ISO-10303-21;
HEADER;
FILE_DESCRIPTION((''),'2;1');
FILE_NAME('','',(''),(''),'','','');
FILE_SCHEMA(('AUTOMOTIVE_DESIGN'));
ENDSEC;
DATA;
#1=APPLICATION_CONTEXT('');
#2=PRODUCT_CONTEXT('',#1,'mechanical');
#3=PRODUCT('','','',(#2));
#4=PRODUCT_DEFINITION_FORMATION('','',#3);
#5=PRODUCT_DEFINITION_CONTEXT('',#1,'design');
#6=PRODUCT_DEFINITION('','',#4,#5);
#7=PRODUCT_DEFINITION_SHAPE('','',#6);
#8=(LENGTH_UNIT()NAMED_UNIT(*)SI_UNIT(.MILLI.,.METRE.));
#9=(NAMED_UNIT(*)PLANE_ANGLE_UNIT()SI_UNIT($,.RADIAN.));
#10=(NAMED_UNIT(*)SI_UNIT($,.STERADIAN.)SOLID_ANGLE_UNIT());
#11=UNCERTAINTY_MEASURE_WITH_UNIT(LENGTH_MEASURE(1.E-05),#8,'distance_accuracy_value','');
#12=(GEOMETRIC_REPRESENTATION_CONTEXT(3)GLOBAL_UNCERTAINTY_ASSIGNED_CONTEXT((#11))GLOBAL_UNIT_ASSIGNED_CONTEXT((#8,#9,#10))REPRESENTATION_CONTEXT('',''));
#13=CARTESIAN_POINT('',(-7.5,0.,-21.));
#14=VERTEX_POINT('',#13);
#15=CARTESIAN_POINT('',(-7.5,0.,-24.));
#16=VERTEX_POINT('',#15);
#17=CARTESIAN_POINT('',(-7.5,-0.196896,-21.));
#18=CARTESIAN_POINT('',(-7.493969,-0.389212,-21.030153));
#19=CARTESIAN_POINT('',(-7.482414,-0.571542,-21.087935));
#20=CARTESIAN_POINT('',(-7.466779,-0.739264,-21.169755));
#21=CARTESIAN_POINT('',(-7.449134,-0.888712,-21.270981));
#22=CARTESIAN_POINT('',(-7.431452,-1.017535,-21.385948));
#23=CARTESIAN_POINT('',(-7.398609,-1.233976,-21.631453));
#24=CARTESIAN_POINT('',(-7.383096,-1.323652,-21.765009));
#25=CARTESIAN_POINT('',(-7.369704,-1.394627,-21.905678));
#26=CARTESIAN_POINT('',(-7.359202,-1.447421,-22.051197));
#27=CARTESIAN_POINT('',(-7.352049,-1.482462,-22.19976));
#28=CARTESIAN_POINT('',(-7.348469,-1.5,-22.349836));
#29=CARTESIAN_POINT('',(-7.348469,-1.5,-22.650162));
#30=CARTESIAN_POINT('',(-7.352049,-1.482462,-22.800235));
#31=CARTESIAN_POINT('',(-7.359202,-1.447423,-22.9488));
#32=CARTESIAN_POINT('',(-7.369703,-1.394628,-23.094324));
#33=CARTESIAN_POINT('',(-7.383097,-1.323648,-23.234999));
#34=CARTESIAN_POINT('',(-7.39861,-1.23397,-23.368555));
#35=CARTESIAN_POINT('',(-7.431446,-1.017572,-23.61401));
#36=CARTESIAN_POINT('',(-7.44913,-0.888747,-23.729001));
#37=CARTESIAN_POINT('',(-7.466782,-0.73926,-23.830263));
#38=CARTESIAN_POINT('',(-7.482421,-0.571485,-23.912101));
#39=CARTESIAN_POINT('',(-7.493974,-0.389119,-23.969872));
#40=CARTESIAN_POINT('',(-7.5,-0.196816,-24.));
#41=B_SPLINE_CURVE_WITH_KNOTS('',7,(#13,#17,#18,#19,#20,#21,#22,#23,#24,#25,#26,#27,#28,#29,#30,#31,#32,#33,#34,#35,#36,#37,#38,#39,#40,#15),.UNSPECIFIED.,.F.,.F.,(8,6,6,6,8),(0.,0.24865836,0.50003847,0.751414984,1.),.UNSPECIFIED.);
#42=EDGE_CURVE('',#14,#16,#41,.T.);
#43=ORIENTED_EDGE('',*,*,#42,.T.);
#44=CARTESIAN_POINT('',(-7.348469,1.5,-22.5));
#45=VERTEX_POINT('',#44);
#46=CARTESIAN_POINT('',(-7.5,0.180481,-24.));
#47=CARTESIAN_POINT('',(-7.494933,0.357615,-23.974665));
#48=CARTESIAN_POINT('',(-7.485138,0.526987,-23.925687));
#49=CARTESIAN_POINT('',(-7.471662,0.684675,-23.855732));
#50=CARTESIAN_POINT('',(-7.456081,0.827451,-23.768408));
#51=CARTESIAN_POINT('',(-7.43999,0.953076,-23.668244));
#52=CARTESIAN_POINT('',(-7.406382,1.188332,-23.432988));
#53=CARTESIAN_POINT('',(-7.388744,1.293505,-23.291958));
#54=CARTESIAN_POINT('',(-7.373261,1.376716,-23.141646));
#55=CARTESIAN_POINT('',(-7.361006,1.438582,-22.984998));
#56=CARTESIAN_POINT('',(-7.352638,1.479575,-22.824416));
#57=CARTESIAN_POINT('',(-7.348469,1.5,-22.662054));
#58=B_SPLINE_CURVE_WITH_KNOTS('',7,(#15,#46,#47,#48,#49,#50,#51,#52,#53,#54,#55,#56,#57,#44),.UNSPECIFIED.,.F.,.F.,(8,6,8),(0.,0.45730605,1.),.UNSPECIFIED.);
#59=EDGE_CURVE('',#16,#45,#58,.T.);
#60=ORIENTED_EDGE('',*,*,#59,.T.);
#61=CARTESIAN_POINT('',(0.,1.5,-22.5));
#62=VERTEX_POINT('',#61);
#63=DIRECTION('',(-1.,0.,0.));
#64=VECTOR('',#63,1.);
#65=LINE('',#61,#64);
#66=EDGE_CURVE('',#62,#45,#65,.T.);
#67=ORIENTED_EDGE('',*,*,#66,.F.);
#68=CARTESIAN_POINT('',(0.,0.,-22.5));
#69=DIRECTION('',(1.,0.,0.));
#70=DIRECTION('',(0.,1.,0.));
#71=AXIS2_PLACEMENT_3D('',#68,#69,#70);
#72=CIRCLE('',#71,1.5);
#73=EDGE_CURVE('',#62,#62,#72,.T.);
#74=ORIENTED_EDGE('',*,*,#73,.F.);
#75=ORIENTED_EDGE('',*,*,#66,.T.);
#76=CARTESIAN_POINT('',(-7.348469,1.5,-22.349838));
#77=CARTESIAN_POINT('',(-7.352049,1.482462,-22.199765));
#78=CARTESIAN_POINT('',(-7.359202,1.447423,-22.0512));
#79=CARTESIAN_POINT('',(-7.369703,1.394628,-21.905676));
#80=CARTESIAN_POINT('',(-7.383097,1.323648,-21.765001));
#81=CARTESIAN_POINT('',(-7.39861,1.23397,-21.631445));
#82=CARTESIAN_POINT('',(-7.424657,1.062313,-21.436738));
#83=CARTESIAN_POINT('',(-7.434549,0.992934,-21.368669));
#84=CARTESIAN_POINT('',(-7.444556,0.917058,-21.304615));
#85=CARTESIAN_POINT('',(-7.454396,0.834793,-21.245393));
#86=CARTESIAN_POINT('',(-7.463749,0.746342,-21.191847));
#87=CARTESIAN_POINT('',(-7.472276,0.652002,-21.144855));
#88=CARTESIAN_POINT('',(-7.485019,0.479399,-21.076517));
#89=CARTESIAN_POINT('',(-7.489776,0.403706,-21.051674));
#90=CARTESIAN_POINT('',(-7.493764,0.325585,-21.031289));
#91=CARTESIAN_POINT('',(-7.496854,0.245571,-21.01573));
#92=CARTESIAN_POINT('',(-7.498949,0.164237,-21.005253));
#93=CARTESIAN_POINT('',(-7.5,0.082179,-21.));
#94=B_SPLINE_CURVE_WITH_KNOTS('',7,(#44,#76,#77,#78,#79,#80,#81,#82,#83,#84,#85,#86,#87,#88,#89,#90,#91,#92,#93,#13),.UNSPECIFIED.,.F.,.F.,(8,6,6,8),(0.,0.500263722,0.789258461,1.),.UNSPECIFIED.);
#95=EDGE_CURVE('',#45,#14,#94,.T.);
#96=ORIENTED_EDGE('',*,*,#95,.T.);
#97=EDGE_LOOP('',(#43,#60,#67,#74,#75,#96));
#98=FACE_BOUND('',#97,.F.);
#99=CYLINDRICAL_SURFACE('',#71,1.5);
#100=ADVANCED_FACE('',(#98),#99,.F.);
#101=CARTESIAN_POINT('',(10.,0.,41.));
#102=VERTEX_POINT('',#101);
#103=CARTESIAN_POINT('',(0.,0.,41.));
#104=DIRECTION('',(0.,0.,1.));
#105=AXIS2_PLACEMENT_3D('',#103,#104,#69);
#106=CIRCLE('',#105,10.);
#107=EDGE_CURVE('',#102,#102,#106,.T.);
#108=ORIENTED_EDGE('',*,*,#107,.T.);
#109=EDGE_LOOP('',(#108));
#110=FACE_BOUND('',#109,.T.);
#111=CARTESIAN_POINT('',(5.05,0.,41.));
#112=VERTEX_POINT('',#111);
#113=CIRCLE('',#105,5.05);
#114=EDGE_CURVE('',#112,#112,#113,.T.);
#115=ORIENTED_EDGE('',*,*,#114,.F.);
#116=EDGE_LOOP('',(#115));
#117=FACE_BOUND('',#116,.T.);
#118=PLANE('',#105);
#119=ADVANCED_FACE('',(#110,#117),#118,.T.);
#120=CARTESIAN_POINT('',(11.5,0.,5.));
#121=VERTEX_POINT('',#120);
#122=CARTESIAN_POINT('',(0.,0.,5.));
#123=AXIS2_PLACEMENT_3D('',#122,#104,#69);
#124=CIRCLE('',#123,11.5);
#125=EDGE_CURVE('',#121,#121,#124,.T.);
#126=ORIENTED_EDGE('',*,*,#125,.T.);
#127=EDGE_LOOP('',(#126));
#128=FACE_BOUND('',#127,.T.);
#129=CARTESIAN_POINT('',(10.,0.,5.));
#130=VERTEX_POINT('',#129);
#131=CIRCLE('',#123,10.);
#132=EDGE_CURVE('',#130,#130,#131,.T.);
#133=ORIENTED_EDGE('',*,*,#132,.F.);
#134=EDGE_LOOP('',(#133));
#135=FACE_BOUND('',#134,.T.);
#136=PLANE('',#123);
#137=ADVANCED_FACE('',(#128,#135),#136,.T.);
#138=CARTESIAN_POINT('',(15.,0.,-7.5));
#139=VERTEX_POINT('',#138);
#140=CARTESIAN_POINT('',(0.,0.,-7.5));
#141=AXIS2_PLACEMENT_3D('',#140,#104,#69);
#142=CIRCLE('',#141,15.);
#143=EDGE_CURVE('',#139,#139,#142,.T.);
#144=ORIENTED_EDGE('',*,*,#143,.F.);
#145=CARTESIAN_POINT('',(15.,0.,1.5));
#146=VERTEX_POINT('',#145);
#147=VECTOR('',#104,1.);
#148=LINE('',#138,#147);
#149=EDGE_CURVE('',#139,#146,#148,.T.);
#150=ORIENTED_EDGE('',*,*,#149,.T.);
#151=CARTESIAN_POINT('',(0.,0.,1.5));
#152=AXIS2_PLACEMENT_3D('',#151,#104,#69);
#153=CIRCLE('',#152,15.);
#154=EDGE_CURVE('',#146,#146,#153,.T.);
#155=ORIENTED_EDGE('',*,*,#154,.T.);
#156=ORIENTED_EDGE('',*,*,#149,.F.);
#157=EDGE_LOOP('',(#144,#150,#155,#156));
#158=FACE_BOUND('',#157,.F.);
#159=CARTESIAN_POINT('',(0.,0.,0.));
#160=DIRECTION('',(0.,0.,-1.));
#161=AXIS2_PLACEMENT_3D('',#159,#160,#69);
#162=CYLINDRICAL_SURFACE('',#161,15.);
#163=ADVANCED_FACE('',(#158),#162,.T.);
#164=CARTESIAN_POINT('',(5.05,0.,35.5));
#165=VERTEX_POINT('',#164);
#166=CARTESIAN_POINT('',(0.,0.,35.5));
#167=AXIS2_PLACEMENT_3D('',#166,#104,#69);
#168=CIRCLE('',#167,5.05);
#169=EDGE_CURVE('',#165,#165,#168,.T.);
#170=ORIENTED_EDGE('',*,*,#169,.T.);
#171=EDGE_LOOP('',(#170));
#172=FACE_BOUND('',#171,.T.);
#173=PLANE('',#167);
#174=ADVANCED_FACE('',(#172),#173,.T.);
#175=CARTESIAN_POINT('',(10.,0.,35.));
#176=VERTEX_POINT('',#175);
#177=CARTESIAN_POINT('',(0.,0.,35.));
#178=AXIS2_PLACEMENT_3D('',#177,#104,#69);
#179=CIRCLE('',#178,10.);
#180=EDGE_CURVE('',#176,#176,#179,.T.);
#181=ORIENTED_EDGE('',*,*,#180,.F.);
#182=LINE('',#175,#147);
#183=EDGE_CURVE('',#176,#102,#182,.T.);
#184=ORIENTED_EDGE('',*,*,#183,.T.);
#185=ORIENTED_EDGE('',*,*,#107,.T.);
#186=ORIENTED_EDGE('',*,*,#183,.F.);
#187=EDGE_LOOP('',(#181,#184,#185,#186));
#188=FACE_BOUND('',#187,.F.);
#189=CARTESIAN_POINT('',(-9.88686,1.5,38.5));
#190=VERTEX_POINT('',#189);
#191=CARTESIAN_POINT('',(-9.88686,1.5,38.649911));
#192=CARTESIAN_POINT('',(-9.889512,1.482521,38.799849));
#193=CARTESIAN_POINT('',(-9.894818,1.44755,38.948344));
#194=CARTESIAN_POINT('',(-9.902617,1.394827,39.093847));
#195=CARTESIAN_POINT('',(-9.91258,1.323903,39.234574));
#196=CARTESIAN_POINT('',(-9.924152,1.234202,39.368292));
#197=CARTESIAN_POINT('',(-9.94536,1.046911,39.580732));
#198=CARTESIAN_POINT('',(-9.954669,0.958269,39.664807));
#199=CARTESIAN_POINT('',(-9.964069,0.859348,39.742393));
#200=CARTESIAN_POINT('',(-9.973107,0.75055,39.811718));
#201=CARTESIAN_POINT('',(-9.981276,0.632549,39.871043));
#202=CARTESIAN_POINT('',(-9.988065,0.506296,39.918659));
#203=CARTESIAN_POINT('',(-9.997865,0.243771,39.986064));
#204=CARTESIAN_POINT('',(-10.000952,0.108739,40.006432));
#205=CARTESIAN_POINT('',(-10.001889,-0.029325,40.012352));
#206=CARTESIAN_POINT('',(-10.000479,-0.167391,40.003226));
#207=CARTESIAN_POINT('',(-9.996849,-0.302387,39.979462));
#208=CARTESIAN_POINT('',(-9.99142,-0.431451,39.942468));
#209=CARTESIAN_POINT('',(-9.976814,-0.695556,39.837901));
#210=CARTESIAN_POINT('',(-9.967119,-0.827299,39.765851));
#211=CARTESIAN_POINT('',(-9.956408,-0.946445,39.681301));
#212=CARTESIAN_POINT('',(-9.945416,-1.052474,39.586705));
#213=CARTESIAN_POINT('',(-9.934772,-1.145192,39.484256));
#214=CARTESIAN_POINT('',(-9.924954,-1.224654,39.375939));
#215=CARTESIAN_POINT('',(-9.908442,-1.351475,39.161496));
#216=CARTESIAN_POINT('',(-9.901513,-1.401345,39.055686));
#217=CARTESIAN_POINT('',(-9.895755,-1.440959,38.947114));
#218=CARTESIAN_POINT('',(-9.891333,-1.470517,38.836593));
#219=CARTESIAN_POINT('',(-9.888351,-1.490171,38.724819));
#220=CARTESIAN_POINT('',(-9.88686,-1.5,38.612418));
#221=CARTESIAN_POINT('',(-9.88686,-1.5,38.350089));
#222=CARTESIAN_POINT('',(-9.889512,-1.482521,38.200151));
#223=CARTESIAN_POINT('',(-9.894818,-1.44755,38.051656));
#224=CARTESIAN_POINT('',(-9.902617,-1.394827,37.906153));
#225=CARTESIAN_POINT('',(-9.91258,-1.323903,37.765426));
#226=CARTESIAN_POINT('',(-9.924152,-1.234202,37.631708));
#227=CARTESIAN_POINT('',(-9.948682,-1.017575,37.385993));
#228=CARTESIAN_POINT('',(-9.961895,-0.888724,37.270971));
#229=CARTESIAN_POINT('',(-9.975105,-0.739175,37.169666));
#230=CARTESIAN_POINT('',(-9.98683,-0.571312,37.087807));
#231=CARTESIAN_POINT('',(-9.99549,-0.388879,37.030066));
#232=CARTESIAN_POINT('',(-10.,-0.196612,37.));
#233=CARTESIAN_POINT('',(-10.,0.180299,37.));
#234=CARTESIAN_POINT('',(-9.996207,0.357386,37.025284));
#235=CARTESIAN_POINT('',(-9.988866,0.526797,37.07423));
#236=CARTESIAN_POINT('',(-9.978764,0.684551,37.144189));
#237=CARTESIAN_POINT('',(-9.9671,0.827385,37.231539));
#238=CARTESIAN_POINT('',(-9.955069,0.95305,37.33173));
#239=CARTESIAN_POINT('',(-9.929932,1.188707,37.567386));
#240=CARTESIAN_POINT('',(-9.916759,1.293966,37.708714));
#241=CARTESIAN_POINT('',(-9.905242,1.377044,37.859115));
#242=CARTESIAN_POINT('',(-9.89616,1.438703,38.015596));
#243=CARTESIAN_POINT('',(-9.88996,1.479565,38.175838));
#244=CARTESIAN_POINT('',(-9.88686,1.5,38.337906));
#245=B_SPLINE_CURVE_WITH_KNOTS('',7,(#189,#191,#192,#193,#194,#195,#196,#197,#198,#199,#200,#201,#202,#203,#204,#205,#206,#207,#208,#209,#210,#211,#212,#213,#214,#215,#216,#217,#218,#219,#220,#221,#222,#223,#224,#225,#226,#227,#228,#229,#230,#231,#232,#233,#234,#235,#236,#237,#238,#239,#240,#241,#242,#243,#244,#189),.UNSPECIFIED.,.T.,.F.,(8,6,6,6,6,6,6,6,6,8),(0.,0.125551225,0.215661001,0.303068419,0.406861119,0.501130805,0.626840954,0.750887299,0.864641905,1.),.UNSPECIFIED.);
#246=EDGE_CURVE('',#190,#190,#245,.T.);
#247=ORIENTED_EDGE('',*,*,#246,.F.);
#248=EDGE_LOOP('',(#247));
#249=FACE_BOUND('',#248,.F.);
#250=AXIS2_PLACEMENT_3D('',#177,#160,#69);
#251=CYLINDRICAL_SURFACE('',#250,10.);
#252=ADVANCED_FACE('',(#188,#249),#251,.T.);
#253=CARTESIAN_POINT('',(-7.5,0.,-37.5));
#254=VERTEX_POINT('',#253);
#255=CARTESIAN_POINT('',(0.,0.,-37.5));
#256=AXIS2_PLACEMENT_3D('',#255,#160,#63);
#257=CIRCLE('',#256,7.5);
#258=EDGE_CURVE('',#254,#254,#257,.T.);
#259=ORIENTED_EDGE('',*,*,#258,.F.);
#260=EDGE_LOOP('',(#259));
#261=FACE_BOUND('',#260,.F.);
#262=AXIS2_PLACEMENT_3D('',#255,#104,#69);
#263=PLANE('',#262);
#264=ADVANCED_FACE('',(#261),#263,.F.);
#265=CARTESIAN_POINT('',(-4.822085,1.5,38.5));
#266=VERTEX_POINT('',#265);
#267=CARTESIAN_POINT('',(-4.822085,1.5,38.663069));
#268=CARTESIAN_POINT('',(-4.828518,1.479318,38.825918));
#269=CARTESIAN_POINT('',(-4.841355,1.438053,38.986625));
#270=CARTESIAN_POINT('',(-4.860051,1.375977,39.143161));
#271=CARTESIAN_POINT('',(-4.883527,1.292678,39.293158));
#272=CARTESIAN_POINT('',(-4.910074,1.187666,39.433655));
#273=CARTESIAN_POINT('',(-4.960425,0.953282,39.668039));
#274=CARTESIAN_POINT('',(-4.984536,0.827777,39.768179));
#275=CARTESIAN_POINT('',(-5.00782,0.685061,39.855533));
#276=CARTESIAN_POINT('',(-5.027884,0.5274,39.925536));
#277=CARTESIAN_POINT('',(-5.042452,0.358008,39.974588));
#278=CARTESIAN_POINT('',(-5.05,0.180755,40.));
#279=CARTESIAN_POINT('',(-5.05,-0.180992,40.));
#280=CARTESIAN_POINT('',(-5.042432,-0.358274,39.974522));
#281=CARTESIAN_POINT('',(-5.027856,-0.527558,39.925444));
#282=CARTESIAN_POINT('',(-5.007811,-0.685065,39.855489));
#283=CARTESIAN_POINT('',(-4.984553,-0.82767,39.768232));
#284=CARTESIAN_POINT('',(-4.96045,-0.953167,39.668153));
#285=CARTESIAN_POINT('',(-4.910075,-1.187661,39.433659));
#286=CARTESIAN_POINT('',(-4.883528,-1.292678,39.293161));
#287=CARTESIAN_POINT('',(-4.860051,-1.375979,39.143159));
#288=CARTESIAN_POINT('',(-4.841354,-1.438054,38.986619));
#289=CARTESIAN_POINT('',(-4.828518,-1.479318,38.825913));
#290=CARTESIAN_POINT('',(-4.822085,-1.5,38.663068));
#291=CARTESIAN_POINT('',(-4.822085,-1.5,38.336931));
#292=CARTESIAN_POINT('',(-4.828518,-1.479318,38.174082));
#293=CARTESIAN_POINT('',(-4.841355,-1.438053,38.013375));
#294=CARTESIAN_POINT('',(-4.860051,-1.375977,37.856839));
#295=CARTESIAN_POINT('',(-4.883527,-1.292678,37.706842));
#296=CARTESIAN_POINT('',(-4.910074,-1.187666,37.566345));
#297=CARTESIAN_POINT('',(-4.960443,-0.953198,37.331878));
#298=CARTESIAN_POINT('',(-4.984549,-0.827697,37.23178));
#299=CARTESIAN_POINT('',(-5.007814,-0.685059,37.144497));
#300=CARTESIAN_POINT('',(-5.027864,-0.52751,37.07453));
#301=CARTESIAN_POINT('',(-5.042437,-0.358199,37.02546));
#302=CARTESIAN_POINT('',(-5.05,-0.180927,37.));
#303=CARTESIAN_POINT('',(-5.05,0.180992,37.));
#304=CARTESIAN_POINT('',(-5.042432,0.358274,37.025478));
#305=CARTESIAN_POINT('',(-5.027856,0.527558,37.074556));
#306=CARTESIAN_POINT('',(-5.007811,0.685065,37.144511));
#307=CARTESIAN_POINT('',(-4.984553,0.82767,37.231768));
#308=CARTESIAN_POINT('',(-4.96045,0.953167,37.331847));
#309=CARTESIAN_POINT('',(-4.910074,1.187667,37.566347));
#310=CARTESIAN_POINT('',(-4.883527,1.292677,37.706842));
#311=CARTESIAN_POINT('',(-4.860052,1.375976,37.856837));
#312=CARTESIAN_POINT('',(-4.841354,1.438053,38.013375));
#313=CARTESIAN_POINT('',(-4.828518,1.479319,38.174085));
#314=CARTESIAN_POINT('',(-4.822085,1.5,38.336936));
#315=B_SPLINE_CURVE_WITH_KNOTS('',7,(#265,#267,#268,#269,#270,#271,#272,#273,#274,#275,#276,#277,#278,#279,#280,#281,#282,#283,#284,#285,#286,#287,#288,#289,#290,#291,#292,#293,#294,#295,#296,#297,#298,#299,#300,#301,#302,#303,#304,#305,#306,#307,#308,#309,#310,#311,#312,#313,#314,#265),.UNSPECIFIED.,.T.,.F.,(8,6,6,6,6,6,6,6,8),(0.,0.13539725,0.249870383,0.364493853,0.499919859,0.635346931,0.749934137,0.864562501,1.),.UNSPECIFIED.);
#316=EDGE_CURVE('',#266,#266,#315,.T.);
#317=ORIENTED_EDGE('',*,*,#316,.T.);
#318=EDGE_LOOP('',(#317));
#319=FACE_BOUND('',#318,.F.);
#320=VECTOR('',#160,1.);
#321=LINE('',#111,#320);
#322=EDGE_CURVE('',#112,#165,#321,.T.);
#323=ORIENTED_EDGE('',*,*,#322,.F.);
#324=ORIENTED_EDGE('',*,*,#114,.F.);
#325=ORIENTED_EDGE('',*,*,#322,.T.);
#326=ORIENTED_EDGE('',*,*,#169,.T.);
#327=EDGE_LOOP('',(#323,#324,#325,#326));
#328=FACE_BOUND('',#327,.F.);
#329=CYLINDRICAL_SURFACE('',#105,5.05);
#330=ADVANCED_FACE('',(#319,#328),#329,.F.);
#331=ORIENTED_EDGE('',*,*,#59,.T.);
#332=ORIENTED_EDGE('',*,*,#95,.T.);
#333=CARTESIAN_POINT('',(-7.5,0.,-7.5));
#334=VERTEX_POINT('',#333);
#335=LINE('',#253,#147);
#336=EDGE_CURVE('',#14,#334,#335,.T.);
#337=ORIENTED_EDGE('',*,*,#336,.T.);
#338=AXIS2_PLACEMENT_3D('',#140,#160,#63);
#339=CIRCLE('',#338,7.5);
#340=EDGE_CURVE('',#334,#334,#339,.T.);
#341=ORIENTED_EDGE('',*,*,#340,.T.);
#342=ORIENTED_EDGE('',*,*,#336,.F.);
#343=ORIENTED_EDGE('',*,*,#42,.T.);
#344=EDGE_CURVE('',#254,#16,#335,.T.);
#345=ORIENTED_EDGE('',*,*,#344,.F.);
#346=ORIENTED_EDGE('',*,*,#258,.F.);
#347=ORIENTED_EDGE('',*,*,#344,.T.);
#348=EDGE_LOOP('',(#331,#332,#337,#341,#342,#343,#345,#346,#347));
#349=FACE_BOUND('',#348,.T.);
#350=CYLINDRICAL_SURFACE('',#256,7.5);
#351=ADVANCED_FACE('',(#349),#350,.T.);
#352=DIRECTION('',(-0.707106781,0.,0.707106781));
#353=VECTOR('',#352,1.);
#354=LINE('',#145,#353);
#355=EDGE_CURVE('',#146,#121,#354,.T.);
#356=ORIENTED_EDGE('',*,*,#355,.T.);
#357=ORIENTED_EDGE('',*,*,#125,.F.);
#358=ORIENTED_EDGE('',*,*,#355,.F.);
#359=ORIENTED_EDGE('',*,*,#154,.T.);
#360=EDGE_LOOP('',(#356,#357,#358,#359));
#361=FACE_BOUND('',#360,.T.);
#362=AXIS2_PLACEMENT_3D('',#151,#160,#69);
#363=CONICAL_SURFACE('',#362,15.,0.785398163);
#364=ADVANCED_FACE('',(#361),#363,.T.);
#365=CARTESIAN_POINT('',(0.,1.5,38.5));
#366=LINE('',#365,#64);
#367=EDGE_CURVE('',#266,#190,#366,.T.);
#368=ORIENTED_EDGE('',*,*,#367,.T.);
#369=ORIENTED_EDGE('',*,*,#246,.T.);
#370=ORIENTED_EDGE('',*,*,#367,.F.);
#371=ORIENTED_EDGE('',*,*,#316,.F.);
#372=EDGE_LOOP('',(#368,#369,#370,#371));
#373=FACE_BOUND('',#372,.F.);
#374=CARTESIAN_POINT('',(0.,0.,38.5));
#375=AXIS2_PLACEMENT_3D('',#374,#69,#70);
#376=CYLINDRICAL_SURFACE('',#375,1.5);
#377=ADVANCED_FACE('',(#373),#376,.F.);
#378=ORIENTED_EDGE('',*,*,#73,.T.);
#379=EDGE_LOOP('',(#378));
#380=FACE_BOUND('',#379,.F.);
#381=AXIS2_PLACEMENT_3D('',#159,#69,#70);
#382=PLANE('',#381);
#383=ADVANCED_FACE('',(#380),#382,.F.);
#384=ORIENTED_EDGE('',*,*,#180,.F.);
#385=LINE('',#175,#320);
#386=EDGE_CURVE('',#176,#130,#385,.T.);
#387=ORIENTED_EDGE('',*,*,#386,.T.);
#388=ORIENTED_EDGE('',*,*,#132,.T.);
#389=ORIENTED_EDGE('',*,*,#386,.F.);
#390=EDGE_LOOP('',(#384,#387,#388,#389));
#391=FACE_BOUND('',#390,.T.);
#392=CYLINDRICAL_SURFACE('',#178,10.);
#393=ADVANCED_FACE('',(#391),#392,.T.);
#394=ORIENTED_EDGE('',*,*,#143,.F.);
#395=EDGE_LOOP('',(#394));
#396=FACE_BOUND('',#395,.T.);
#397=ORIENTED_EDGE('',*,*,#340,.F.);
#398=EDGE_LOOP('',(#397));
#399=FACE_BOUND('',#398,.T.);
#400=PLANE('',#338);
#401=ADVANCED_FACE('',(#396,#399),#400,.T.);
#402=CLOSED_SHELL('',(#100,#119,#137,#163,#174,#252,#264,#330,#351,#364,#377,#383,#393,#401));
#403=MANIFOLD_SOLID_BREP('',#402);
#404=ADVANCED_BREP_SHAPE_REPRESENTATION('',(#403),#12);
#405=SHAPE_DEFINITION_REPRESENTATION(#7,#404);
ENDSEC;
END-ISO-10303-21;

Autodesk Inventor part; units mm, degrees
ref_plane "YZ Plane" through (0, 0, 0) normal (1, 0, 0) x (0, 1, 0)
ref_plane "XZ Plane" through (0, 0, 0) normal (0, 1, 0) x (-1, 0, 0)
ref_plane "XY Plane" through (0, 0, 0) normal (0, 0, 1) x (1, 0, 0)
sketch "Szkic1" plane through (0, 0, 0) normal (0, 0, 1) x (1, 0, 0)
  circle A0 centre (0, 0) radius 15
  dimension "d0" = 30
extrude "Wyciągnięcie proste1" add sketch "Szkic1" along normal blind 35 and the other way blind 37.5
sketch "Szkic3" plane through (0, 0, 35) normal (0, 0, 1) x (1, 0, 0)
  circle A0 centre (0, 0) radius 10
  circle A1 centre (0, 0) radius 15
  dimension "d4" = 20
  dimension "d5" = 30
extrude "Wyciągnięcie proste2" cut sketch "Szkic3" against normal blind 30
chamfer "Faza1" distance 3.5 angle 45 1 edges at (-15, 0, 5)
sketch "Szkic4" plane through (0, 0, -37.5) normal (0, 0, -1) x (-1, 0, 0)
  circle A0 centre (0, 0) radius 7.5
  circle A1 centre (0, 0) radius 15
  dimension "d11" = 15
  dimension "d12" = 30
extrude "Wyciągnięcie proste3" cut sketch "Szkic4" against normal blind 30
sketch "Szkic8" plane through (0, 0, 35) normal (0, 0, 1) x (1, 0, 0)
  circle A0 centre (0, 0) radius 10
  dimension "d33" = 20
extrude "Wyciągnięcie proste7" add sketch "Szkic8" along normal blind 6
sketch "Szkic9" plane through (0, 0, 41) normal (0, 0, 1) x (1, 0, 0)
  circle A0 centre (0, 0) radius 5.05
  dimension "d36" = 10.1
extrude "Wyciągnięcie proste8" cut sketch "Szkic9" against normal blind 5.5
sketch "Szkic10" plane through (0, 0, 0) normal (1, 0, 0) x (0, 1, 0)
  circle A0 centre (0, 38.5) radius 1.5
  line L0 (-5.05, 41) -> (5.05, 41) projected
  point P0 (0, 0)
  dimension "d39" = 3
  dimension "d42" = 2.5
extrude "Wyciągnięcie proste9" cut sketch "Szkic10" against normal blind 25
thread "Gwint4" size "M3x0.5" class "6H" standard "ANSI Metric M Profile" full length
sketch "Szkic11" plane through (0, 0, 0) normal (1, 0, 0) x (0, 1, 0)
  circle A0 centre (0, -22.5) radius 1.5
  point P0 (0, 0)
  dimension "d45" = 3
extrude "Wyciągnięcie proste10" cut sketch "Szkic11" against normal blind 20
thread "Gwint5" size "M3x0.5" class "6H" standard "ANSI Metric M Profile" full length
properties part number "koncowka" material "Aluminium 6061"
